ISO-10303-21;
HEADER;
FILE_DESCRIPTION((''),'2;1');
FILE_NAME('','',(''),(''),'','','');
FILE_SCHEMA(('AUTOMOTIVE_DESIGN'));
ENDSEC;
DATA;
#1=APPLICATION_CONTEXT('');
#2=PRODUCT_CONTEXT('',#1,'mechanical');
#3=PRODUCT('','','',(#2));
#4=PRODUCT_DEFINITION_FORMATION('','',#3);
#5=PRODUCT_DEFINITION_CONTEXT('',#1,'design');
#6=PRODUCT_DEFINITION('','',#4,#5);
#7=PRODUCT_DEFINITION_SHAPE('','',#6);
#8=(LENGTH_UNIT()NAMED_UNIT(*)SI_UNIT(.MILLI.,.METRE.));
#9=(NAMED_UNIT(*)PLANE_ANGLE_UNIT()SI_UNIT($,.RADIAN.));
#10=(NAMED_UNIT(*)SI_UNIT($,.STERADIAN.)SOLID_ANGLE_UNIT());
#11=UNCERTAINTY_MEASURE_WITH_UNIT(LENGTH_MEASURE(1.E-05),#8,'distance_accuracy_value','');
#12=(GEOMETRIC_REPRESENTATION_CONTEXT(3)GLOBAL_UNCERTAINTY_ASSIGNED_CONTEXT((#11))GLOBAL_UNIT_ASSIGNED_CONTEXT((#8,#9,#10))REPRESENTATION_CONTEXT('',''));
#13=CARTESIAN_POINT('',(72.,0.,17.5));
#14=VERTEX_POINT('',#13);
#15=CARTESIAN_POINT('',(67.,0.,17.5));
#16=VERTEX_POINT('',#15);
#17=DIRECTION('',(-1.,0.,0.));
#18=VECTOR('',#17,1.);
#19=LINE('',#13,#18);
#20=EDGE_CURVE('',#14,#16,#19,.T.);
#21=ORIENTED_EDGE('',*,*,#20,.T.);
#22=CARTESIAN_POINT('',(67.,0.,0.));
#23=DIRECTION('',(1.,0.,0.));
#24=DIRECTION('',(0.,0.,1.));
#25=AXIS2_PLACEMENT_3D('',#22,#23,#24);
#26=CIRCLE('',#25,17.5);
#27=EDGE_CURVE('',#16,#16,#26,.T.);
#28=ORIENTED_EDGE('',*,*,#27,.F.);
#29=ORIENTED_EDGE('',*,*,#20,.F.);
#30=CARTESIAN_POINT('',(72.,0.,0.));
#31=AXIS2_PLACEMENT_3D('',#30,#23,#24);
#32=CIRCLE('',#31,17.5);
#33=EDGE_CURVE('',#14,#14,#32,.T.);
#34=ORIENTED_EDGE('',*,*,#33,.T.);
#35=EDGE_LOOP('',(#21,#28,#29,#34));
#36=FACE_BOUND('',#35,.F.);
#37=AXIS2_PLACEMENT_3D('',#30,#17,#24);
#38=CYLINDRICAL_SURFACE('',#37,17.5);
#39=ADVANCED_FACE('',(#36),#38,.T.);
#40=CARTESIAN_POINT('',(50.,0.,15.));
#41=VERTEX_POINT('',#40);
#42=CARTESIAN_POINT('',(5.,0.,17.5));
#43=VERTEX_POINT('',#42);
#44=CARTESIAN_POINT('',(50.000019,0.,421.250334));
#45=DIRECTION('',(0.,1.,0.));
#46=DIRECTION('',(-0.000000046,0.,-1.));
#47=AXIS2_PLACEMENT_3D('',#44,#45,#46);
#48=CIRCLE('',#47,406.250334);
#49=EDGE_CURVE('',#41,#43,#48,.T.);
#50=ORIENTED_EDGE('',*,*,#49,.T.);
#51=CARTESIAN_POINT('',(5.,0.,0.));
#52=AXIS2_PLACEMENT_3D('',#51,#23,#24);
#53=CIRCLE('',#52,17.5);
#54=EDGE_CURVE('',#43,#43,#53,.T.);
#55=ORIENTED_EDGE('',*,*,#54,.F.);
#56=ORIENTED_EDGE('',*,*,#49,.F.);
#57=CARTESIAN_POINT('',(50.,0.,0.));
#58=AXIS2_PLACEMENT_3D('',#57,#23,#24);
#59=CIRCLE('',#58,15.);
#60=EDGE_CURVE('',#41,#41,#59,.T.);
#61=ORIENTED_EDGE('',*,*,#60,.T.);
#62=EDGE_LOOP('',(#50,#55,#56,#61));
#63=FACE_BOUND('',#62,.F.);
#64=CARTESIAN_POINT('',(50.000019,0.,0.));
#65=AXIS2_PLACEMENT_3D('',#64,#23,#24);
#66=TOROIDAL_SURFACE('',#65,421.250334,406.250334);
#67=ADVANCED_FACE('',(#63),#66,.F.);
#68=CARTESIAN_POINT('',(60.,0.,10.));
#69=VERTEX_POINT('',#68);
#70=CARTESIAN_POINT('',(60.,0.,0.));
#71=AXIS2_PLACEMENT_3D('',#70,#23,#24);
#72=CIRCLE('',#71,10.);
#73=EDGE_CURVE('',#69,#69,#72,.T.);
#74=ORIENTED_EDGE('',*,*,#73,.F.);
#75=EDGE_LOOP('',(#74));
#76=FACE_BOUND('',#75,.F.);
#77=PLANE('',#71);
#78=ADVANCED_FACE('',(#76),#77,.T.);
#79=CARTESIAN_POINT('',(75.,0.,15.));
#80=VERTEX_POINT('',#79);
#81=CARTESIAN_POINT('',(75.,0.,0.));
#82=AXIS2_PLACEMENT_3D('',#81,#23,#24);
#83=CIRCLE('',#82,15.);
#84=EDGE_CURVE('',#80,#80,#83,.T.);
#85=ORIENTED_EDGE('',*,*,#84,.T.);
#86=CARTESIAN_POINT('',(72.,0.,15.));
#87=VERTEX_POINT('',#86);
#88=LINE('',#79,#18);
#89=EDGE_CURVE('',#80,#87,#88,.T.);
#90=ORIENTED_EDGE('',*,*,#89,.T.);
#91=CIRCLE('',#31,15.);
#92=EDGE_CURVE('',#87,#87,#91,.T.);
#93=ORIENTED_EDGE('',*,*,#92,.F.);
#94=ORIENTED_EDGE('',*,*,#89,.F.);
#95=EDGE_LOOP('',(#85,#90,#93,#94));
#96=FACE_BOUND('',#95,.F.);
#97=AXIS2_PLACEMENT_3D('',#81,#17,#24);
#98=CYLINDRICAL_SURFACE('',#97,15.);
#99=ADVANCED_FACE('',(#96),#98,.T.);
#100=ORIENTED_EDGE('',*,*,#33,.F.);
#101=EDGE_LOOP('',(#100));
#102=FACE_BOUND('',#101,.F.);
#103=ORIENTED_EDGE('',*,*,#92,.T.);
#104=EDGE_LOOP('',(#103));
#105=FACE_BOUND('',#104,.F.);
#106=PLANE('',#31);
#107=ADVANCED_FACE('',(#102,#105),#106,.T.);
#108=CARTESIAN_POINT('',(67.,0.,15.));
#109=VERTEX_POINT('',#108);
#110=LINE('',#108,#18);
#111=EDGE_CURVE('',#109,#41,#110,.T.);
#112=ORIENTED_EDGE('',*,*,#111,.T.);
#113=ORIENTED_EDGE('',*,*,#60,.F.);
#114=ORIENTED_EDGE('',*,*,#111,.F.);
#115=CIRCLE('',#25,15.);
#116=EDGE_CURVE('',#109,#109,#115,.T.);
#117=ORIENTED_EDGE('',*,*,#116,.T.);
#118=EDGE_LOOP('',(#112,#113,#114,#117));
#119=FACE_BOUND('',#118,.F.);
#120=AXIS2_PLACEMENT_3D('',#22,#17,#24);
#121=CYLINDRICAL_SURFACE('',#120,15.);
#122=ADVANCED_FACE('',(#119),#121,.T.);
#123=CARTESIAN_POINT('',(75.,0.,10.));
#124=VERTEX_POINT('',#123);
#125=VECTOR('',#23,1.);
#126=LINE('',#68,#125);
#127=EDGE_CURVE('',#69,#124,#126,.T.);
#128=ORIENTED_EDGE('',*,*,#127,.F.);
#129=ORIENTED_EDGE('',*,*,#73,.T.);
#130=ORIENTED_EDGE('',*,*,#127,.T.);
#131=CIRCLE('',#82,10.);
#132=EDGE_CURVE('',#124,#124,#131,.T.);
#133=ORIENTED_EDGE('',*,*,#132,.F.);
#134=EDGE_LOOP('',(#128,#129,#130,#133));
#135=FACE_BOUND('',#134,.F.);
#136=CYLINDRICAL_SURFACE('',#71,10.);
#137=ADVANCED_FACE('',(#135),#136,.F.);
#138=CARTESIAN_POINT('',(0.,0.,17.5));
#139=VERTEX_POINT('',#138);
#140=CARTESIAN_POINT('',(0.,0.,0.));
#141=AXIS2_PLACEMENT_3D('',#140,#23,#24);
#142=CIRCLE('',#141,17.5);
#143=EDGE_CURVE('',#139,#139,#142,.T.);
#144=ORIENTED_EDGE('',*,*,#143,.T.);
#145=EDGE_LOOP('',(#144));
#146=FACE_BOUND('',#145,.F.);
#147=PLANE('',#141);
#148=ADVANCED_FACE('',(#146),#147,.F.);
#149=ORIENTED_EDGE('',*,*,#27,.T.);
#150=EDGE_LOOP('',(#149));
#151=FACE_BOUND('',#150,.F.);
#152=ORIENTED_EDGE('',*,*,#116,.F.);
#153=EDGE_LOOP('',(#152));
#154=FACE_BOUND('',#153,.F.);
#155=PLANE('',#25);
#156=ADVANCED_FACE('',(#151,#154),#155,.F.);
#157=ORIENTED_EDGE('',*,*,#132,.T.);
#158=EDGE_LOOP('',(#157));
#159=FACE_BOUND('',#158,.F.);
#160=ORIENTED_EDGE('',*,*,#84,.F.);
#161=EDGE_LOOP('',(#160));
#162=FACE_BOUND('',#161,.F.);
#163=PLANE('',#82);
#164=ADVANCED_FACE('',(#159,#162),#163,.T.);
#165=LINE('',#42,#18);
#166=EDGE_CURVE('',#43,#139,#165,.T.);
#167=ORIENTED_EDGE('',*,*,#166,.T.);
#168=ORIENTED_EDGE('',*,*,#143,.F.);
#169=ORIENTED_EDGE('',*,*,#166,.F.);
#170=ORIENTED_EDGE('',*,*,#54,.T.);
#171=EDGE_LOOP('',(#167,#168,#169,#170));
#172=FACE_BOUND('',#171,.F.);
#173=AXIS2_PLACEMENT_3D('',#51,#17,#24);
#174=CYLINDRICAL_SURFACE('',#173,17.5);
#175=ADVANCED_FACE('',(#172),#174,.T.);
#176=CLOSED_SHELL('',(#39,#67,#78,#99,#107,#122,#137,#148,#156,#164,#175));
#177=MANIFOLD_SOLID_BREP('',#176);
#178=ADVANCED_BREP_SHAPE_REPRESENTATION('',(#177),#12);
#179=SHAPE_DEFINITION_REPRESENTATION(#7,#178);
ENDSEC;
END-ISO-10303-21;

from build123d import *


with BuildPart() as f1:
    # F0 (on Front) → F1 (revolve)
    with BuildSketch(Plane.XZ):
        with BuildLine():
            Line((0, 17.5), (0, 0))
            Line((0, 0), (60, 0))
            Line((60, 0), (60, 10))
            Line((60, 10), (75, 10))
            Line((75, 10), (75, 15))
            Line((75, 15), (72, 15))
            Line((72, 15), (72, 17.5))
            Line((72, 17.5), (67, 17.5))
            Line((67, 17.5), (67, 15))
            Line((67, 15), (50, 15))
            ThreePointArc((50, 15), (27.465305, 15.625482), (5, 17.5))
            Line((5, 17.5), (0, 17.5))
        make_face()
    revolve(axis=Axis((30, 0, 0), (1, 0, 0)))


solid = f1.part
